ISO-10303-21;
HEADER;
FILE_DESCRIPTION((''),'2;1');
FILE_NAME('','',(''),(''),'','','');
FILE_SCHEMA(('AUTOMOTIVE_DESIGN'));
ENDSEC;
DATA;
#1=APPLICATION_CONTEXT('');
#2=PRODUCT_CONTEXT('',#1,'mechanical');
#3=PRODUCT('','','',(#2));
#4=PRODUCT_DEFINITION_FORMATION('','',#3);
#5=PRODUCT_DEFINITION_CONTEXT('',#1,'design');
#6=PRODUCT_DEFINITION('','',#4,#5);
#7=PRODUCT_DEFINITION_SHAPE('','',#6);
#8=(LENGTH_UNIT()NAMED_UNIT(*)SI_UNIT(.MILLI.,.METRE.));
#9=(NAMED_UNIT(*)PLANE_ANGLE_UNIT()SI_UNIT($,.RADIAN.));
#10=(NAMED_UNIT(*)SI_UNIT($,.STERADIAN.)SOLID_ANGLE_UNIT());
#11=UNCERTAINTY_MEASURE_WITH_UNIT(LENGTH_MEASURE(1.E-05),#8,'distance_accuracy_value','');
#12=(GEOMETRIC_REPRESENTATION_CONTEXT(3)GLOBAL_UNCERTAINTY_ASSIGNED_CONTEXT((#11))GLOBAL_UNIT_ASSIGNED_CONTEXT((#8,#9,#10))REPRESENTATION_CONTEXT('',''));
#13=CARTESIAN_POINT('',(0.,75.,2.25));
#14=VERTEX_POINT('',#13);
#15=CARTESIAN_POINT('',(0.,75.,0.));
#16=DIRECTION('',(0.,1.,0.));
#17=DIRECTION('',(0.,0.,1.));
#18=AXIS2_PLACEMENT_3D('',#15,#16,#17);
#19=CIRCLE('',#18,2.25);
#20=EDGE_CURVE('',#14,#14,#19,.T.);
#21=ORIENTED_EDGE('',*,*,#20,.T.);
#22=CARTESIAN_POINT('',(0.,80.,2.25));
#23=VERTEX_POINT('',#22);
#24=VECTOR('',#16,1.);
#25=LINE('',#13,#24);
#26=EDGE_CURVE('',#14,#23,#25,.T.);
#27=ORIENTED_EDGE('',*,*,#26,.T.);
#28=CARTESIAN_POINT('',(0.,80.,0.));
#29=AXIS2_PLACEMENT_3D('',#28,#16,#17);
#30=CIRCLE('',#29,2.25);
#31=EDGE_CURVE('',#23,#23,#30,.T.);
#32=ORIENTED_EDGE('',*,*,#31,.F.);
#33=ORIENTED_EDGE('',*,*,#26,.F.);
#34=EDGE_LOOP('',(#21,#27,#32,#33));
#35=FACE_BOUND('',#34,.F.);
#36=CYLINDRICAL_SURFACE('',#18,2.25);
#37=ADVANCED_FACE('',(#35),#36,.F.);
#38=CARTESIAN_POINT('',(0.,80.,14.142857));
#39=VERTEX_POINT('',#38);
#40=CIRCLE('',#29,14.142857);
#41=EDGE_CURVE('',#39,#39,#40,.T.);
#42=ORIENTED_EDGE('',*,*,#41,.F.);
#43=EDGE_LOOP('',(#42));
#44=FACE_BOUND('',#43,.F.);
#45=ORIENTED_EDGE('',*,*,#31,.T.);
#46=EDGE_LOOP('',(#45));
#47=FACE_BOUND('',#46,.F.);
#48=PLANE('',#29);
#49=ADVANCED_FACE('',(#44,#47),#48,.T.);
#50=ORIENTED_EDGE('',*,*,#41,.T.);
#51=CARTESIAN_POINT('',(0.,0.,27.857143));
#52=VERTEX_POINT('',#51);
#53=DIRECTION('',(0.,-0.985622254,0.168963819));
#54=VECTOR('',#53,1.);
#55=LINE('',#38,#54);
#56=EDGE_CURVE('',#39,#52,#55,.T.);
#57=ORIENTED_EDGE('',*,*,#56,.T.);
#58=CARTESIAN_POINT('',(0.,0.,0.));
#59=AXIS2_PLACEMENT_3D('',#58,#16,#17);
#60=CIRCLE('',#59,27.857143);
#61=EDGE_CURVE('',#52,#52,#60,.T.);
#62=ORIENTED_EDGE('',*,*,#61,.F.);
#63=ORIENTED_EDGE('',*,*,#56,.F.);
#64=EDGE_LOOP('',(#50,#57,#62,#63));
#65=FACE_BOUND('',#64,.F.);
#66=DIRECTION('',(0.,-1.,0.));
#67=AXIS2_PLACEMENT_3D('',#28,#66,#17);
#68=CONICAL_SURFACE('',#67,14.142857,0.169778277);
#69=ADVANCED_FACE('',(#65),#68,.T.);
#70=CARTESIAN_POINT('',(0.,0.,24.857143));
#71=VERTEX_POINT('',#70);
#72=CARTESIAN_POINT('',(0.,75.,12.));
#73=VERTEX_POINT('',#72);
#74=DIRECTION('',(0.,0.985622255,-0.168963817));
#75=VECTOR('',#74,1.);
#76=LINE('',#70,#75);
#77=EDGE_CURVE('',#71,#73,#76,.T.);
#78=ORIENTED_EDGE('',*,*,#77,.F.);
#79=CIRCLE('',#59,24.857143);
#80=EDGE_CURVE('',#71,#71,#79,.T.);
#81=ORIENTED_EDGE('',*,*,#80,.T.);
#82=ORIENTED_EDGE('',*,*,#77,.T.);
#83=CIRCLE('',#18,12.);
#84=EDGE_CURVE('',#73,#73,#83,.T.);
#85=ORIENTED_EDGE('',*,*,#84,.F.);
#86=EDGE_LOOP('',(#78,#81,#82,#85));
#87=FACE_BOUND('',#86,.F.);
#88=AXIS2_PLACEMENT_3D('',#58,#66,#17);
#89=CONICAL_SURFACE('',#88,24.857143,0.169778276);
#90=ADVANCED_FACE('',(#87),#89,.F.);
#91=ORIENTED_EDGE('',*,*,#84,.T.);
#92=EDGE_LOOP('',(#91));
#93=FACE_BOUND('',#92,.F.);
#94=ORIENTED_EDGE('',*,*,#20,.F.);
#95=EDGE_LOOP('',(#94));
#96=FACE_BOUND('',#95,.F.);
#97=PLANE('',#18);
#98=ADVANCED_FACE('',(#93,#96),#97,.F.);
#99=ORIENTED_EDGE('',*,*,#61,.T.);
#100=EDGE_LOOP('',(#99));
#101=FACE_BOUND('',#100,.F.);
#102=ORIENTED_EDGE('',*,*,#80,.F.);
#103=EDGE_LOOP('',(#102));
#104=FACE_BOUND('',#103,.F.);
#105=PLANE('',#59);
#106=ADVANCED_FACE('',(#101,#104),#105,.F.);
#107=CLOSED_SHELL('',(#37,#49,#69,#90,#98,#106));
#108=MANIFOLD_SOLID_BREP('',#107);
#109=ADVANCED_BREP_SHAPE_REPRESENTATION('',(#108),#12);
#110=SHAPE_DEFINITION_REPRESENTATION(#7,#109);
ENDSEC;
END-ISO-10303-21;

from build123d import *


with BuildPart() as f1:
    # F0 (on Right) → F1 (revolve)
    with BuildSketch(Plane.YZ):
        Polygon((0, 27.857143), (0, 24.857143), (75, 12), (80, 11.142857), (80, 14.142857), align=None)
        Polygon((80, 11.142857), (75, 12), (75, 2.25), (80, 2.25), align=None)
    revolve(axis=Axis((0, 40, 0), (0, 1, 0)))


solid = f1.part
